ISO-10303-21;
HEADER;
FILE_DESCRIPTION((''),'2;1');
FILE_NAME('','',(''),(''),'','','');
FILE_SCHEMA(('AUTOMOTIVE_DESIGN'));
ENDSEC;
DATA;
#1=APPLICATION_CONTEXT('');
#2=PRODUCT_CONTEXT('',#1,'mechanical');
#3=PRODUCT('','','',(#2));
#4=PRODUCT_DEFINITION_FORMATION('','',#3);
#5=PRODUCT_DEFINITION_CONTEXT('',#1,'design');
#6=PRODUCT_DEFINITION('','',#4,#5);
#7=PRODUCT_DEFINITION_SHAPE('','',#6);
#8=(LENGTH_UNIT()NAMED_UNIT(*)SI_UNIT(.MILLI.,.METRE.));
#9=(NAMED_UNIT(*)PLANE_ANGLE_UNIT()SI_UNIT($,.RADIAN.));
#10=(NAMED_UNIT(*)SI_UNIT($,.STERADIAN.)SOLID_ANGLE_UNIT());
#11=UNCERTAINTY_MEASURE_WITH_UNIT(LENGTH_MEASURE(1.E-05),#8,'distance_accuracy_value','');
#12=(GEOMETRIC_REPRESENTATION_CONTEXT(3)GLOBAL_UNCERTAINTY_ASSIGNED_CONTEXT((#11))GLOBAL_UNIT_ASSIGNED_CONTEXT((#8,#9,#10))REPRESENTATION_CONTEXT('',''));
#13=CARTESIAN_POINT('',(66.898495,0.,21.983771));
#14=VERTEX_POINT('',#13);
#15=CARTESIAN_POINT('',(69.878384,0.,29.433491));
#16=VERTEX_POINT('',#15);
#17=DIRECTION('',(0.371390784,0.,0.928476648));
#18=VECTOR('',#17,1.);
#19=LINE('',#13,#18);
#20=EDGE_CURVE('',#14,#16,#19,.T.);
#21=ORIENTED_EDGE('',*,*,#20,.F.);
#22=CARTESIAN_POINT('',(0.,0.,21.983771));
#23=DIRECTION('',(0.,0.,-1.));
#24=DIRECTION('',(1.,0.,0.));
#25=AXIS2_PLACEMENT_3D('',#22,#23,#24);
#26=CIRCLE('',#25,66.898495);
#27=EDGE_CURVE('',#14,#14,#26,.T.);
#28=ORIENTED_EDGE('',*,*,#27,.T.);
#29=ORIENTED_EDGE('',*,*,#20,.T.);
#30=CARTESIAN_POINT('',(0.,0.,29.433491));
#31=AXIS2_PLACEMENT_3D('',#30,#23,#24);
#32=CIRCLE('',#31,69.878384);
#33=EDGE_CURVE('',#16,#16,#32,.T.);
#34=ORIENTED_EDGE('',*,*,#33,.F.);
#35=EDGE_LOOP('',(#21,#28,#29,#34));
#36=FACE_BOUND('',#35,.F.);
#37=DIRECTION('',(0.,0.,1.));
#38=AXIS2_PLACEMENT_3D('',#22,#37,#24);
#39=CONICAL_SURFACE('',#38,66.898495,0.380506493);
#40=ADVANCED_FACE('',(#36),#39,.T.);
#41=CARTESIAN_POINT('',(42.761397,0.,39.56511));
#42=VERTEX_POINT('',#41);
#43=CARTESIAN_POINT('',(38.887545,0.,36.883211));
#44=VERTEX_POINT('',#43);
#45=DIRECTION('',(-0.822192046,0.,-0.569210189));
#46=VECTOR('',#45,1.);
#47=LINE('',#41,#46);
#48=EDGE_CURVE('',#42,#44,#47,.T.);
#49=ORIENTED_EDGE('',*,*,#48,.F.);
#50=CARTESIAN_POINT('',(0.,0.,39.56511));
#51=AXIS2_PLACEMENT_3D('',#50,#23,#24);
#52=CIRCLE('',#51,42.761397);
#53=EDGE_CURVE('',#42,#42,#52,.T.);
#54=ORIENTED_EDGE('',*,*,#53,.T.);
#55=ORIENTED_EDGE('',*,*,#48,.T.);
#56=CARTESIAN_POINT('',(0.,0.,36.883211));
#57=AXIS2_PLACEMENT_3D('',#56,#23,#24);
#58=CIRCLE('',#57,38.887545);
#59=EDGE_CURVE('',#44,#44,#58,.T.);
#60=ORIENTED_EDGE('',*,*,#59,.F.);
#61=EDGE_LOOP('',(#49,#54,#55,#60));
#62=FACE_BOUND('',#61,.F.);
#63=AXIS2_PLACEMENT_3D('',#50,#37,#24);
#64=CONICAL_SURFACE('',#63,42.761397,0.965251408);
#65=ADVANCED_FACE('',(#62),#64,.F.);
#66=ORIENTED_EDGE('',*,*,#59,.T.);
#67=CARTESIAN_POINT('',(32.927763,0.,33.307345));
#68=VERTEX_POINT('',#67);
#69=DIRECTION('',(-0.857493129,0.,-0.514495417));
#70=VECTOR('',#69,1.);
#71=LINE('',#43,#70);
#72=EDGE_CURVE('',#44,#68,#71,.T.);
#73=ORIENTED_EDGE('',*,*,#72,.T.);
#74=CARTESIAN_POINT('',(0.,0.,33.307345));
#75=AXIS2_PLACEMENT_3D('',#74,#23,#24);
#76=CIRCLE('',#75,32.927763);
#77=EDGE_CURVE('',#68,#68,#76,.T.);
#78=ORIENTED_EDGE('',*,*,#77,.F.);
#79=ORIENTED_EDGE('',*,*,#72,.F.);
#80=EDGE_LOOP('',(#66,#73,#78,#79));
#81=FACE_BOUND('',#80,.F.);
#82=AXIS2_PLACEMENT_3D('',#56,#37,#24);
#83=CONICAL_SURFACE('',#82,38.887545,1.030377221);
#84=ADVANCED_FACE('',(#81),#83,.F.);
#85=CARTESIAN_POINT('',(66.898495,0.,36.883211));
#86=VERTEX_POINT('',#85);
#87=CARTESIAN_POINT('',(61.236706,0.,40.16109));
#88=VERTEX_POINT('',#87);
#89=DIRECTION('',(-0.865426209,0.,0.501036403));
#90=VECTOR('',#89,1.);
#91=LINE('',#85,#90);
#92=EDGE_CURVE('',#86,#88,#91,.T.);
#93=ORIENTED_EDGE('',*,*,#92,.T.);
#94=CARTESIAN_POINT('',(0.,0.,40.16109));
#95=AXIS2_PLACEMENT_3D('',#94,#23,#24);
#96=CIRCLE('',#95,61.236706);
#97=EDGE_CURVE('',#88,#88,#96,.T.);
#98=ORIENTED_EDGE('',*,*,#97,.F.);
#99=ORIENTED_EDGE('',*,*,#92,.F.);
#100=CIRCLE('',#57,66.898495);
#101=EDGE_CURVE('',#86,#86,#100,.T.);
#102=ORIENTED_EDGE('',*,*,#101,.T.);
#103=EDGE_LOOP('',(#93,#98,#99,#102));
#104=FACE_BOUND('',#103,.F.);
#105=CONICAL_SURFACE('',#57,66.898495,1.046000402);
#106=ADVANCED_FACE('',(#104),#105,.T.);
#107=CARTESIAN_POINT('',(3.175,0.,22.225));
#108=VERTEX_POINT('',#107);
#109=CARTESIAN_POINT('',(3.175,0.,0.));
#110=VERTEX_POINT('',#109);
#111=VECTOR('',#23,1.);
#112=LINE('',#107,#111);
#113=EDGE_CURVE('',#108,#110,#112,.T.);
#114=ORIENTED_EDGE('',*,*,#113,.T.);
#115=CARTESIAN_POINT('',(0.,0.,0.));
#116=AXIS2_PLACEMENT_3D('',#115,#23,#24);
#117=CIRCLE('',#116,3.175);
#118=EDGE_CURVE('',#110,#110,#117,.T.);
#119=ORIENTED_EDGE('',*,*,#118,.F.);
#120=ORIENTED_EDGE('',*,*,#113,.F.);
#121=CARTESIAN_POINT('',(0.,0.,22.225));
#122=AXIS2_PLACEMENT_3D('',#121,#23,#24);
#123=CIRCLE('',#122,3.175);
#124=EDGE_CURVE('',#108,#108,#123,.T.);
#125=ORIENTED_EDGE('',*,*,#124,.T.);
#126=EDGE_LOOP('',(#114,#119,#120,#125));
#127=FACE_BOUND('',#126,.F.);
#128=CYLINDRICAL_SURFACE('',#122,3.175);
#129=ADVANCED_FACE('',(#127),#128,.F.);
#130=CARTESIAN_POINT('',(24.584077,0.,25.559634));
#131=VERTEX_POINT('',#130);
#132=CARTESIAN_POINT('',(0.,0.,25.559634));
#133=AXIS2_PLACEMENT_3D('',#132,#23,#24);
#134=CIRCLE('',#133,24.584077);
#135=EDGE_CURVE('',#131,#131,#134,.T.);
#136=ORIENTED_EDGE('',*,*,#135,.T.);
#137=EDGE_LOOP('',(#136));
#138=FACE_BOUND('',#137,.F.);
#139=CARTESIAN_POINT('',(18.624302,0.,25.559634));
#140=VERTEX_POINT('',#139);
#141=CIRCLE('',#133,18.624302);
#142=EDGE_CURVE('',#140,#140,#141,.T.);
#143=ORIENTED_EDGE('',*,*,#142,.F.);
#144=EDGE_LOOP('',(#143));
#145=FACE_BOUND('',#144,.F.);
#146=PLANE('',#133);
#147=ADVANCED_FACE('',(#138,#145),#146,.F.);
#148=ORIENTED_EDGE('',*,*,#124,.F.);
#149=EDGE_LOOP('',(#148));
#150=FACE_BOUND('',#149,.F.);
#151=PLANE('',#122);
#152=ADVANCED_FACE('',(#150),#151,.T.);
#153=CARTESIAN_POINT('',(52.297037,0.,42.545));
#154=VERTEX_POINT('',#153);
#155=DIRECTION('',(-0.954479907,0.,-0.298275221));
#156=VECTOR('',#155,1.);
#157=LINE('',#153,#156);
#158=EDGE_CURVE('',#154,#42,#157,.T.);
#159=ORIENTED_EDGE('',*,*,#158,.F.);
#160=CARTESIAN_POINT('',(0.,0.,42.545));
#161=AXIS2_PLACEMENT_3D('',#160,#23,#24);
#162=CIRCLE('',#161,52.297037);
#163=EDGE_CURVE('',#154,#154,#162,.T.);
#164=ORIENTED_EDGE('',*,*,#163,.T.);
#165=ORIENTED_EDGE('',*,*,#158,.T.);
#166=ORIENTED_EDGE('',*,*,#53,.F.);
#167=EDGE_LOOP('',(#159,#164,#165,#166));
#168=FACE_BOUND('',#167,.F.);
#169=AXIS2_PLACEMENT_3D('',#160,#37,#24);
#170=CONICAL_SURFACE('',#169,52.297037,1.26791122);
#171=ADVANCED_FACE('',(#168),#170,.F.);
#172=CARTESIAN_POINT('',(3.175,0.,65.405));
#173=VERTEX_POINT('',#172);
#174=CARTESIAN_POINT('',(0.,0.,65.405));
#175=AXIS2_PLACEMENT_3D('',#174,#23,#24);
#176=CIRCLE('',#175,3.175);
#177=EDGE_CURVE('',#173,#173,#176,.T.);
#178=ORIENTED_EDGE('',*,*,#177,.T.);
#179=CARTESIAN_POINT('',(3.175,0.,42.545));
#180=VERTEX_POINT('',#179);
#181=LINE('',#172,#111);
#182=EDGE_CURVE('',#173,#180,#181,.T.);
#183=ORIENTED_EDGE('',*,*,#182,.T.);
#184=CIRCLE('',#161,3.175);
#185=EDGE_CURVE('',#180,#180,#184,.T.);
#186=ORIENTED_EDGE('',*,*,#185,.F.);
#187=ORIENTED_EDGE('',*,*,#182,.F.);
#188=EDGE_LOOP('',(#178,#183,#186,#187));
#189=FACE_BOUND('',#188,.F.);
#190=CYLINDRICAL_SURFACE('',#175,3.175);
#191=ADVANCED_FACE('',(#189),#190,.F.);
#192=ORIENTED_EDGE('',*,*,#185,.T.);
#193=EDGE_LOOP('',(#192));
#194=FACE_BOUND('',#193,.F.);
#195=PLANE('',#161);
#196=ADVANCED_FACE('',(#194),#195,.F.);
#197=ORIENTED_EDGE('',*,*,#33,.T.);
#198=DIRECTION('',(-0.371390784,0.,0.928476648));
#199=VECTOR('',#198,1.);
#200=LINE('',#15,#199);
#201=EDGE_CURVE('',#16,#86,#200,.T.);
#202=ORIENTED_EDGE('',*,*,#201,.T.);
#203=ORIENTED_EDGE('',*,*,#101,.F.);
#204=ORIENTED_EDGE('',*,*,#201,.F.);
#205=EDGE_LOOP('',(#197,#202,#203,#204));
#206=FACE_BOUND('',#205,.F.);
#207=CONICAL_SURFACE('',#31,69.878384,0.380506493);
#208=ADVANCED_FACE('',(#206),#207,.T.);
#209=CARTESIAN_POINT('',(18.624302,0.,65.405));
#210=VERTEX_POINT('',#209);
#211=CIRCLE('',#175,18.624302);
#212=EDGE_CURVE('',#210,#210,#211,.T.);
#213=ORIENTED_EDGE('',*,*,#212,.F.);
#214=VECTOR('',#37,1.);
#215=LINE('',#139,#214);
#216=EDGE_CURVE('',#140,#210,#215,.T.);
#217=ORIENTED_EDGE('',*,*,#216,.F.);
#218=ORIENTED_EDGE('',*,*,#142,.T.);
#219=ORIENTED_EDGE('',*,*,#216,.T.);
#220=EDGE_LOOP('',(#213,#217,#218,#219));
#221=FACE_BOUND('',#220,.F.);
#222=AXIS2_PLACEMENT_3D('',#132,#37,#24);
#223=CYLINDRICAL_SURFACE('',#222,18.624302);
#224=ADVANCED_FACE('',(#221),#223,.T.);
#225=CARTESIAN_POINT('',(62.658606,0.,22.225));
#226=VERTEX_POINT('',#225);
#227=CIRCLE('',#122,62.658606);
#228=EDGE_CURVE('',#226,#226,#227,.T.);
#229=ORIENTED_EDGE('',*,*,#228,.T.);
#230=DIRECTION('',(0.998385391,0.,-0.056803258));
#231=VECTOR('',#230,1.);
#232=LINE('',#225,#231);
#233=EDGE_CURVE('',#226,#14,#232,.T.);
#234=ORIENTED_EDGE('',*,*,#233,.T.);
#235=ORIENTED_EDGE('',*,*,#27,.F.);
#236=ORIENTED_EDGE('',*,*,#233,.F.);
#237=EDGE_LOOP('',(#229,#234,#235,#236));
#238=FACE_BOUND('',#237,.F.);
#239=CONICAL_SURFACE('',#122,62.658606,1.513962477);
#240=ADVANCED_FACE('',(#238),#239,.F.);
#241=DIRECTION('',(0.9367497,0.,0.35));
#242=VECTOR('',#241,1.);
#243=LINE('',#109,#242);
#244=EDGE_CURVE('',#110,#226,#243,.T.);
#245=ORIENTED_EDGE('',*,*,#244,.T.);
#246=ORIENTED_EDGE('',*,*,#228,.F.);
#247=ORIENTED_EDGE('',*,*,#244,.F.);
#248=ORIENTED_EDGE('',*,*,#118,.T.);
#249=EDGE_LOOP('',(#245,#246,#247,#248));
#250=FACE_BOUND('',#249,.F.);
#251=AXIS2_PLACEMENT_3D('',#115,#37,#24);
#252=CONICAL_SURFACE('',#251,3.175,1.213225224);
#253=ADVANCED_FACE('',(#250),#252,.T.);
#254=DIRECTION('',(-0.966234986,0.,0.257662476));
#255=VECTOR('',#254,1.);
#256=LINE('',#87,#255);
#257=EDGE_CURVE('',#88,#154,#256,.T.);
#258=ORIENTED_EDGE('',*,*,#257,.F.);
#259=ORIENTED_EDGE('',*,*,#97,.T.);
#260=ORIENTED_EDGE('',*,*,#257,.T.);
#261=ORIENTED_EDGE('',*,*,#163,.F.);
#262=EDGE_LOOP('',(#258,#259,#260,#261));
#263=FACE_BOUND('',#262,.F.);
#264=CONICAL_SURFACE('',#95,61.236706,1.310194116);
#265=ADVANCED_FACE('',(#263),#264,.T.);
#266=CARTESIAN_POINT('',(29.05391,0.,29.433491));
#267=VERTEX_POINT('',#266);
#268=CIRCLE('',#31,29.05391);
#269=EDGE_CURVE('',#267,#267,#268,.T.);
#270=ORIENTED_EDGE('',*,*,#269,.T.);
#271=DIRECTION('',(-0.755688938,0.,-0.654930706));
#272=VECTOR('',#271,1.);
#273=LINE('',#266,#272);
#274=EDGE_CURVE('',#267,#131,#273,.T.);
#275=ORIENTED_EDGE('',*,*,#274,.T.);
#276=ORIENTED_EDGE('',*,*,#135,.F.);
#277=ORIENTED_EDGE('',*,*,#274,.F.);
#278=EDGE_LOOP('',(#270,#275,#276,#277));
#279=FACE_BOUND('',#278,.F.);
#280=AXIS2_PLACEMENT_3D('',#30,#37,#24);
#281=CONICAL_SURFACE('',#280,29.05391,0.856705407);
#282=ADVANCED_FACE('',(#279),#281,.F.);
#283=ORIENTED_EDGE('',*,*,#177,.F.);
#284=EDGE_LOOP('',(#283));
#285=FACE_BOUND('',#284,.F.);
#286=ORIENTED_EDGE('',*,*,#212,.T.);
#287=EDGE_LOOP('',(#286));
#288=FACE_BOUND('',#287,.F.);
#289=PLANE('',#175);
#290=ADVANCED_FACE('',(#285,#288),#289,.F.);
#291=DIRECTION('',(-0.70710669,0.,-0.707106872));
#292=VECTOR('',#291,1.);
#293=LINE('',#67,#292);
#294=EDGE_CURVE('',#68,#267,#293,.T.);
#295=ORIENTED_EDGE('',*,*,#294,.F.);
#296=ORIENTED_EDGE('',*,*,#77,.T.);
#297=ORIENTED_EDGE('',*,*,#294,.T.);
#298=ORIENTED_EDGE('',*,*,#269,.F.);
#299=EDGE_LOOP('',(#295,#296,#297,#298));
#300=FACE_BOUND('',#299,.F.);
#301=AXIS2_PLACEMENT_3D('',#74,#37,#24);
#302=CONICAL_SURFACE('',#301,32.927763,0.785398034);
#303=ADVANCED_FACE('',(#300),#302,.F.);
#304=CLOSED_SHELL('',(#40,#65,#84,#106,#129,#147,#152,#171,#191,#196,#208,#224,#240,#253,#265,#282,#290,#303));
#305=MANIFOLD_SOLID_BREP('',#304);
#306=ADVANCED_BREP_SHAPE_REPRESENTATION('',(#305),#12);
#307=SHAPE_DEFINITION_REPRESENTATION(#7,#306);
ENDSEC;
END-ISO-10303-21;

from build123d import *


with BuildPart() as f1:
    # F0 (on Front) → F1 (revolve)
    with BuildSketch(Plane.XZ):
        Polygon((0, 42.545), (0, 22.225), (3.175, 22.225), (3.175, 0), (62.658606, 22.225), (66.898495, 21.983771), (69.878384, 29.433491), (66.898495, 36.883211), (61.236706, 40.16109), (52.297037, 42.545), (42.761397, 39.56511), (38.887545, 36.883211), (32.927763, 33.307345), (29.05391, 29.433491), (24.584077, 25.559634), (18.624302, 25.559634), (18.624302, 36.883211), (18.624302, 48.504775), (18.624302, 65.405), (3.175, 65.405), (3.175, 42.545), align=None)
    revolve(axis=Axis((0, 0, 32.385), (0, 0, -1)))


solid = f1.part
